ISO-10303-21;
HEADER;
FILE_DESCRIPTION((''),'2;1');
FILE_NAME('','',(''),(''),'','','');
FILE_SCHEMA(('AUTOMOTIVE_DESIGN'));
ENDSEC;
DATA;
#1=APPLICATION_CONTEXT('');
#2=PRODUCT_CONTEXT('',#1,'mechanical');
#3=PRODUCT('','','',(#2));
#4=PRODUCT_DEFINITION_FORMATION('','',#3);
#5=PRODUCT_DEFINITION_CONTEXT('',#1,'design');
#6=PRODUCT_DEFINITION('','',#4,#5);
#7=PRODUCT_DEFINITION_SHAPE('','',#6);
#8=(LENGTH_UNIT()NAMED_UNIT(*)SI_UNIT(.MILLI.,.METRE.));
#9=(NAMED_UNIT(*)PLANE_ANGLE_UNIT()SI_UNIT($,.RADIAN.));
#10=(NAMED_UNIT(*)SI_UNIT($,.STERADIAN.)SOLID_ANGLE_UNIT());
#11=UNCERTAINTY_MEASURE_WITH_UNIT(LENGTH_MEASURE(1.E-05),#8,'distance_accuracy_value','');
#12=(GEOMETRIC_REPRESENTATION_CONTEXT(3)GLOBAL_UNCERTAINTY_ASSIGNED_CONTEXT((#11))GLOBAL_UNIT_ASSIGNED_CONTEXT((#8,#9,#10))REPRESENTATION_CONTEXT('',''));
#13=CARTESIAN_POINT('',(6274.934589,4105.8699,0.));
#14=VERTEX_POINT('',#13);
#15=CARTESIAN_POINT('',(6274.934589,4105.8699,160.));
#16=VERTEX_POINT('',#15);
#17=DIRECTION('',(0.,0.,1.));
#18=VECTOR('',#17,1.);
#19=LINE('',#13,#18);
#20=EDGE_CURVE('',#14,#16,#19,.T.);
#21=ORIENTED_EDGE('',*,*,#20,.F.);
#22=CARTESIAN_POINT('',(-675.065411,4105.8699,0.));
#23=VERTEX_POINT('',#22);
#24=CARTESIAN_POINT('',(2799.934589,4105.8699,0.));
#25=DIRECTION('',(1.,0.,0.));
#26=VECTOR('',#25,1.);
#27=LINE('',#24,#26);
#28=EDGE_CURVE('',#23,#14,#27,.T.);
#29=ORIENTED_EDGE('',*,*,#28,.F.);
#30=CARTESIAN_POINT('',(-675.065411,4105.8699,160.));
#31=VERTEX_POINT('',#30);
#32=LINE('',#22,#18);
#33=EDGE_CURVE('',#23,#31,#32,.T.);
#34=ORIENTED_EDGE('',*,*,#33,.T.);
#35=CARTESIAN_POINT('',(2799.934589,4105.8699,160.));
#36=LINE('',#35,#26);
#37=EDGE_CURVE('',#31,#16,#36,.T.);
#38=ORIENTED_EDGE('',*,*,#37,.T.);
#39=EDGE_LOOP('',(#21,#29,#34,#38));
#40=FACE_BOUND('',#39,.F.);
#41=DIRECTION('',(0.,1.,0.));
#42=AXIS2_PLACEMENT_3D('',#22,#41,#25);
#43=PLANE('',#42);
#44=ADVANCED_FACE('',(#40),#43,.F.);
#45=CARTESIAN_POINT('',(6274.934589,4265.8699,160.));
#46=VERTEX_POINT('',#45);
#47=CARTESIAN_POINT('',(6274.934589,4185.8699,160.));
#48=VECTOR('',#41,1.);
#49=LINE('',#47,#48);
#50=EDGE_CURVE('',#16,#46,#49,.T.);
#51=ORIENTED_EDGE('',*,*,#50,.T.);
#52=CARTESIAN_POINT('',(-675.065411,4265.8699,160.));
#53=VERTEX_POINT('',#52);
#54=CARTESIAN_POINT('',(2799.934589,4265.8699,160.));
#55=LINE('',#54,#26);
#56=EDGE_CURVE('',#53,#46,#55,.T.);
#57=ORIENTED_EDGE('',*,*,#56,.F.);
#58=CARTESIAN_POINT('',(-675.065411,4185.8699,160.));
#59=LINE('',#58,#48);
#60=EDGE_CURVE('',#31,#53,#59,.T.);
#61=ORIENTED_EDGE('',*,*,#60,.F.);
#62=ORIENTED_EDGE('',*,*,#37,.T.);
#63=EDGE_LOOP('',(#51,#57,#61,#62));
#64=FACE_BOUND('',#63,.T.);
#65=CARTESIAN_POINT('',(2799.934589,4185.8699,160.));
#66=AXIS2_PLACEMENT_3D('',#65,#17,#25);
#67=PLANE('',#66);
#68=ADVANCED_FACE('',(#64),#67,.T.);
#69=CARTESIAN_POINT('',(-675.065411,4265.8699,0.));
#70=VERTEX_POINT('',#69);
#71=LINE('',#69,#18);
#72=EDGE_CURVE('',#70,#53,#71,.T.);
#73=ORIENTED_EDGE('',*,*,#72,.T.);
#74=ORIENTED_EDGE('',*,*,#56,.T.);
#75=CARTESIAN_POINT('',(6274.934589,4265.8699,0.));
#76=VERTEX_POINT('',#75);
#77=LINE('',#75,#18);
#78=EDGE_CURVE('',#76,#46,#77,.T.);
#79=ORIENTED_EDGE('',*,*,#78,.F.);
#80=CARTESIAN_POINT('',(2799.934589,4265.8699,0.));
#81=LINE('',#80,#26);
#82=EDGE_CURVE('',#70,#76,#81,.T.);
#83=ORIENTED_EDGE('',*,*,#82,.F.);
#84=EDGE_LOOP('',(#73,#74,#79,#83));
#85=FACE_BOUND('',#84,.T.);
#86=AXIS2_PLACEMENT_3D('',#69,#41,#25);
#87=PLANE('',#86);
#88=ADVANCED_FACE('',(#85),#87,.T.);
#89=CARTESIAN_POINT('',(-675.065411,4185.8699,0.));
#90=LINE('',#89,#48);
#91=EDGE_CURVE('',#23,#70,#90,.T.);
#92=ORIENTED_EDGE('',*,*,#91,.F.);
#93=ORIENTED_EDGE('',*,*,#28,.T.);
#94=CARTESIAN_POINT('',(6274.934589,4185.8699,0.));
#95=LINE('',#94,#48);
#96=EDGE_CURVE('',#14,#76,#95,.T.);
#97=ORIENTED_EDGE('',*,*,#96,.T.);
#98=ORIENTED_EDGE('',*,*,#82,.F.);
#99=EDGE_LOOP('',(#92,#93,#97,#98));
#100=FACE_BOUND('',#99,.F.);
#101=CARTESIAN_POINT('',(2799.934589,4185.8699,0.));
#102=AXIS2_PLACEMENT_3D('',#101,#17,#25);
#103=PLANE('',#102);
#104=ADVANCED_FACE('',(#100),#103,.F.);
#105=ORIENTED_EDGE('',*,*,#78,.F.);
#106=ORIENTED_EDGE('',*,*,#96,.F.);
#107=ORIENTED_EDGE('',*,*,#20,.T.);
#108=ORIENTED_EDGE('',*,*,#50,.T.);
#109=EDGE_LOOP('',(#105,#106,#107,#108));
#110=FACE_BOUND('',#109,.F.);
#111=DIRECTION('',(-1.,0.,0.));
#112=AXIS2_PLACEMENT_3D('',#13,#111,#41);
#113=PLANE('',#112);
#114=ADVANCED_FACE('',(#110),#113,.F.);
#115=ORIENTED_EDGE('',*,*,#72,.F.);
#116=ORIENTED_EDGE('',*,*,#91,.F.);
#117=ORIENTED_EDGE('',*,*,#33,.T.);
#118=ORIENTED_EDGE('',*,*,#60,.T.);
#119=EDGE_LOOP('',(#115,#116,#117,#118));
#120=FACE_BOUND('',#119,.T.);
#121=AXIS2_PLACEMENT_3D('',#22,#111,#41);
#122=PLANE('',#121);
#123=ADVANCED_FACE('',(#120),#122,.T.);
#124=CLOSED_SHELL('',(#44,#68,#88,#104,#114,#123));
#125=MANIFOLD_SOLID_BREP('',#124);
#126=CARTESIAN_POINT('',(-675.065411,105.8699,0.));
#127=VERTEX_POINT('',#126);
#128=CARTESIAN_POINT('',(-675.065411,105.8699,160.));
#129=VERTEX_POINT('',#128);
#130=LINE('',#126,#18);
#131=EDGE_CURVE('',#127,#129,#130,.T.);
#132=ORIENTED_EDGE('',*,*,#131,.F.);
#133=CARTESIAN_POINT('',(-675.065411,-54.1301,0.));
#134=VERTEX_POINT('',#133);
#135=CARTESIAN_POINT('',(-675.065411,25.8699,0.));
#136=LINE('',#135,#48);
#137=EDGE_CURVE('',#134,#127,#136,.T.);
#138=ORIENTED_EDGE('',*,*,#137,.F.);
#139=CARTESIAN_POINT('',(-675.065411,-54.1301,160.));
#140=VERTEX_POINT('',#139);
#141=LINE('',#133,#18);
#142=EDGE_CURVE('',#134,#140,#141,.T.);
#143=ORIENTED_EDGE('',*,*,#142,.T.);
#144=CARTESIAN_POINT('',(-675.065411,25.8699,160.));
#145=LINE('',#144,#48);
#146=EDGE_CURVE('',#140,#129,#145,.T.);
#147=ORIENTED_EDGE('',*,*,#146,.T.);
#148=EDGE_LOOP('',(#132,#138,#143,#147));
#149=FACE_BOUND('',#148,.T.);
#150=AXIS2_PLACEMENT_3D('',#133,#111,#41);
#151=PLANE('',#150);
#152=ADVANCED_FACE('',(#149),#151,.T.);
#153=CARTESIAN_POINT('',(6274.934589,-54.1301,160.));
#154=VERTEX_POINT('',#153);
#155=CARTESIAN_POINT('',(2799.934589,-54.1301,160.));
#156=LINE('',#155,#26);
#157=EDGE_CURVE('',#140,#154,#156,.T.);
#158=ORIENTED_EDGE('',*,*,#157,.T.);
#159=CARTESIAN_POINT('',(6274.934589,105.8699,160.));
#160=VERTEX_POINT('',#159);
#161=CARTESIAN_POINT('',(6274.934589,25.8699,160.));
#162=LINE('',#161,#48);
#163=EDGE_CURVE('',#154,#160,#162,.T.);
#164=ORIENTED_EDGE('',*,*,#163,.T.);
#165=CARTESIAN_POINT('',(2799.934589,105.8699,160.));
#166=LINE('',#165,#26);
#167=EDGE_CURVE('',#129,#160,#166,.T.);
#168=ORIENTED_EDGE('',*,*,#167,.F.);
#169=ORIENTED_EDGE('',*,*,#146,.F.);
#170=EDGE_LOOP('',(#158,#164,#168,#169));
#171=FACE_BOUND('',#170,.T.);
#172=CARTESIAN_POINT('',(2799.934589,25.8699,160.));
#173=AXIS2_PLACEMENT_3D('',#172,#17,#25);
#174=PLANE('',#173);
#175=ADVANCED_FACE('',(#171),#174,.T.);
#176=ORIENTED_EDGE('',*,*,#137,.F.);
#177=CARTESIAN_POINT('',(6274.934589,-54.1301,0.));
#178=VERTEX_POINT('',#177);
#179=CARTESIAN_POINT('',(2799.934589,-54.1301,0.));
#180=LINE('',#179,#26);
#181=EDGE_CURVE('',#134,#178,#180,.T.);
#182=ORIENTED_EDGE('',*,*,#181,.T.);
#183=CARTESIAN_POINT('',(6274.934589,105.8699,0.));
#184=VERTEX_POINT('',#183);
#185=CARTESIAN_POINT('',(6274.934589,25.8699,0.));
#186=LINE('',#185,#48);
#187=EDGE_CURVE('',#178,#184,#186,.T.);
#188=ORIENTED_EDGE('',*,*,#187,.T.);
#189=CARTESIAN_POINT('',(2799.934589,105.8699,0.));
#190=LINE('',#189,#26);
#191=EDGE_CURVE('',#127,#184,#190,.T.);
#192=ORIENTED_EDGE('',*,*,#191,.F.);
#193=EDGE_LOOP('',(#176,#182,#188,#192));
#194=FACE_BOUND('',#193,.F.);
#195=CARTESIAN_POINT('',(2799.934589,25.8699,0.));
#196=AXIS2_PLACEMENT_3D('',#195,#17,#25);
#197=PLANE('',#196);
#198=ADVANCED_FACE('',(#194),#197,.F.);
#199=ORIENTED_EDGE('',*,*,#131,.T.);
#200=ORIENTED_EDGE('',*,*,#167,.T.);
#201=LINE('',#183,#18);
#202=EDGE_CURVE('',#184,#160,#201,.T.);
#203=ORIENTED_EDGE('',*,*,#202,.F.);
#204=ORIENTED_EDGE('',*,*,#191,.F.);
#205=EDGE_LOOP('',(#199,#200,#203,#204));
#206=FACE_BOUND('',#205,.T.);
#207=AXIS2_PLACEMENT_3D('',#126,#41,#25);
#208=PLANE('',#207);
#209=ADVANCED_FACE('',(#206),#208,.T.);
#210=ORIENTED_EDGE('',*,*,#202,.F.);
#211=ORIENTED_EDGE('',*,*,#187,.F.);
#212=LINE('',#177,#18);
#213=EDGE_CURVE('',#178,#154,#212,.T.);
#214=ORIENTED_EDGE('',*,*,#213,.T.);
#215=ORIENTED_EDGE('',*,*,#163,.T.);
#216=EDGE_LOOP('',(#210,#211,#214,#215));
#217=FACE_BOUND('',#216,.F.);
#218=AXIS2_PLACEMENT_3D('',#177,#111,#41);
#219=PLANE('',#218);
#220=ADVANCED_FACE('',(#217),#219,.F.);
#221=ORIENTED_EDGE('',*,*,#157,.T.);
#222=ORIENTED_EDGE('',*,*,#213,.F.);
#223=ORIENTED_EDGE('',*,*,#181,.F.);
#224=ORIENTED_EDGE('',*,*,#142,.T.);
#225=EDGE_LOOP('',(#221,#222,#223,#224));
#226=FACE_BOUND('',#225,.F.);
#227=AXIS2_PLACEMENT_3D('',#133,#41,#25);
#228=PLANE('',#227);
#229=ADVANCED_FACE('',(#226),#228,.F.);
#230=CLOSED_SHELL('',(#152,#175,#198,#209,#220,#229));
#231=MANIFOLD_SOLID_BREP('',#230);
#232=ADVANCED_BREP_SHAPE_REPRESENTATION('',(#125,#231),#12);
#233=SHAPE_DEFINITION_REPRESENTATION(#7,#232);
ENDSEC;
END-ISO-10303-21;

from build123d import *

# Parameters (mm, degrees)
F0_W     = 101.0793037713
F0_H     = 4.8006027937
F1_DEPTH = 152.4
F0_H_2   = 4.2672017589
F3_W     = 6950
F3_H     = 160
F4_DEPTH = 160


with BuildPart() as f1:
    # F0 (on Top) → F1 (new body)
    with BuildSketch(Plane.XY):
        with Locations((10.9347011894, 47.7393008769)):
            Rectangle(F0_W, F0_H)
    extrude(amount=F1_DEPTH)


with BuildPart() as f1b:
    # F0 (on Top) → F1, piece 2 (new body)
    with BuildSketch(Plane.XY):
        with Locations((10.9347011894, 13.8684003614)):
            Rectangle(F0_W, F0_H_2)
    extrude(amount=F1_DEPTH)


with BuildPart() as f4:
    # F3 (on Top) → F4 (new body)
    with BuildSketch(Plane.XY):
        with Locations((2799.9345889312, 4185.8699003607)):
            Rectangle(F3_W, F3_H)
    extrude(amount=F4_DEPTH)


with BuildPart() as f4b:
    # F3 (on Top) → F4, piece 2 (new body)
    with BuildSketch(Plane.XY):
        with Locations((2799.9345889312, 25.8699003607)):
            Rectangle(F3_W, F3_H)
    extrude(amount=F4_DEPTH)


solid = Compound([f4.part, f4b.part])
